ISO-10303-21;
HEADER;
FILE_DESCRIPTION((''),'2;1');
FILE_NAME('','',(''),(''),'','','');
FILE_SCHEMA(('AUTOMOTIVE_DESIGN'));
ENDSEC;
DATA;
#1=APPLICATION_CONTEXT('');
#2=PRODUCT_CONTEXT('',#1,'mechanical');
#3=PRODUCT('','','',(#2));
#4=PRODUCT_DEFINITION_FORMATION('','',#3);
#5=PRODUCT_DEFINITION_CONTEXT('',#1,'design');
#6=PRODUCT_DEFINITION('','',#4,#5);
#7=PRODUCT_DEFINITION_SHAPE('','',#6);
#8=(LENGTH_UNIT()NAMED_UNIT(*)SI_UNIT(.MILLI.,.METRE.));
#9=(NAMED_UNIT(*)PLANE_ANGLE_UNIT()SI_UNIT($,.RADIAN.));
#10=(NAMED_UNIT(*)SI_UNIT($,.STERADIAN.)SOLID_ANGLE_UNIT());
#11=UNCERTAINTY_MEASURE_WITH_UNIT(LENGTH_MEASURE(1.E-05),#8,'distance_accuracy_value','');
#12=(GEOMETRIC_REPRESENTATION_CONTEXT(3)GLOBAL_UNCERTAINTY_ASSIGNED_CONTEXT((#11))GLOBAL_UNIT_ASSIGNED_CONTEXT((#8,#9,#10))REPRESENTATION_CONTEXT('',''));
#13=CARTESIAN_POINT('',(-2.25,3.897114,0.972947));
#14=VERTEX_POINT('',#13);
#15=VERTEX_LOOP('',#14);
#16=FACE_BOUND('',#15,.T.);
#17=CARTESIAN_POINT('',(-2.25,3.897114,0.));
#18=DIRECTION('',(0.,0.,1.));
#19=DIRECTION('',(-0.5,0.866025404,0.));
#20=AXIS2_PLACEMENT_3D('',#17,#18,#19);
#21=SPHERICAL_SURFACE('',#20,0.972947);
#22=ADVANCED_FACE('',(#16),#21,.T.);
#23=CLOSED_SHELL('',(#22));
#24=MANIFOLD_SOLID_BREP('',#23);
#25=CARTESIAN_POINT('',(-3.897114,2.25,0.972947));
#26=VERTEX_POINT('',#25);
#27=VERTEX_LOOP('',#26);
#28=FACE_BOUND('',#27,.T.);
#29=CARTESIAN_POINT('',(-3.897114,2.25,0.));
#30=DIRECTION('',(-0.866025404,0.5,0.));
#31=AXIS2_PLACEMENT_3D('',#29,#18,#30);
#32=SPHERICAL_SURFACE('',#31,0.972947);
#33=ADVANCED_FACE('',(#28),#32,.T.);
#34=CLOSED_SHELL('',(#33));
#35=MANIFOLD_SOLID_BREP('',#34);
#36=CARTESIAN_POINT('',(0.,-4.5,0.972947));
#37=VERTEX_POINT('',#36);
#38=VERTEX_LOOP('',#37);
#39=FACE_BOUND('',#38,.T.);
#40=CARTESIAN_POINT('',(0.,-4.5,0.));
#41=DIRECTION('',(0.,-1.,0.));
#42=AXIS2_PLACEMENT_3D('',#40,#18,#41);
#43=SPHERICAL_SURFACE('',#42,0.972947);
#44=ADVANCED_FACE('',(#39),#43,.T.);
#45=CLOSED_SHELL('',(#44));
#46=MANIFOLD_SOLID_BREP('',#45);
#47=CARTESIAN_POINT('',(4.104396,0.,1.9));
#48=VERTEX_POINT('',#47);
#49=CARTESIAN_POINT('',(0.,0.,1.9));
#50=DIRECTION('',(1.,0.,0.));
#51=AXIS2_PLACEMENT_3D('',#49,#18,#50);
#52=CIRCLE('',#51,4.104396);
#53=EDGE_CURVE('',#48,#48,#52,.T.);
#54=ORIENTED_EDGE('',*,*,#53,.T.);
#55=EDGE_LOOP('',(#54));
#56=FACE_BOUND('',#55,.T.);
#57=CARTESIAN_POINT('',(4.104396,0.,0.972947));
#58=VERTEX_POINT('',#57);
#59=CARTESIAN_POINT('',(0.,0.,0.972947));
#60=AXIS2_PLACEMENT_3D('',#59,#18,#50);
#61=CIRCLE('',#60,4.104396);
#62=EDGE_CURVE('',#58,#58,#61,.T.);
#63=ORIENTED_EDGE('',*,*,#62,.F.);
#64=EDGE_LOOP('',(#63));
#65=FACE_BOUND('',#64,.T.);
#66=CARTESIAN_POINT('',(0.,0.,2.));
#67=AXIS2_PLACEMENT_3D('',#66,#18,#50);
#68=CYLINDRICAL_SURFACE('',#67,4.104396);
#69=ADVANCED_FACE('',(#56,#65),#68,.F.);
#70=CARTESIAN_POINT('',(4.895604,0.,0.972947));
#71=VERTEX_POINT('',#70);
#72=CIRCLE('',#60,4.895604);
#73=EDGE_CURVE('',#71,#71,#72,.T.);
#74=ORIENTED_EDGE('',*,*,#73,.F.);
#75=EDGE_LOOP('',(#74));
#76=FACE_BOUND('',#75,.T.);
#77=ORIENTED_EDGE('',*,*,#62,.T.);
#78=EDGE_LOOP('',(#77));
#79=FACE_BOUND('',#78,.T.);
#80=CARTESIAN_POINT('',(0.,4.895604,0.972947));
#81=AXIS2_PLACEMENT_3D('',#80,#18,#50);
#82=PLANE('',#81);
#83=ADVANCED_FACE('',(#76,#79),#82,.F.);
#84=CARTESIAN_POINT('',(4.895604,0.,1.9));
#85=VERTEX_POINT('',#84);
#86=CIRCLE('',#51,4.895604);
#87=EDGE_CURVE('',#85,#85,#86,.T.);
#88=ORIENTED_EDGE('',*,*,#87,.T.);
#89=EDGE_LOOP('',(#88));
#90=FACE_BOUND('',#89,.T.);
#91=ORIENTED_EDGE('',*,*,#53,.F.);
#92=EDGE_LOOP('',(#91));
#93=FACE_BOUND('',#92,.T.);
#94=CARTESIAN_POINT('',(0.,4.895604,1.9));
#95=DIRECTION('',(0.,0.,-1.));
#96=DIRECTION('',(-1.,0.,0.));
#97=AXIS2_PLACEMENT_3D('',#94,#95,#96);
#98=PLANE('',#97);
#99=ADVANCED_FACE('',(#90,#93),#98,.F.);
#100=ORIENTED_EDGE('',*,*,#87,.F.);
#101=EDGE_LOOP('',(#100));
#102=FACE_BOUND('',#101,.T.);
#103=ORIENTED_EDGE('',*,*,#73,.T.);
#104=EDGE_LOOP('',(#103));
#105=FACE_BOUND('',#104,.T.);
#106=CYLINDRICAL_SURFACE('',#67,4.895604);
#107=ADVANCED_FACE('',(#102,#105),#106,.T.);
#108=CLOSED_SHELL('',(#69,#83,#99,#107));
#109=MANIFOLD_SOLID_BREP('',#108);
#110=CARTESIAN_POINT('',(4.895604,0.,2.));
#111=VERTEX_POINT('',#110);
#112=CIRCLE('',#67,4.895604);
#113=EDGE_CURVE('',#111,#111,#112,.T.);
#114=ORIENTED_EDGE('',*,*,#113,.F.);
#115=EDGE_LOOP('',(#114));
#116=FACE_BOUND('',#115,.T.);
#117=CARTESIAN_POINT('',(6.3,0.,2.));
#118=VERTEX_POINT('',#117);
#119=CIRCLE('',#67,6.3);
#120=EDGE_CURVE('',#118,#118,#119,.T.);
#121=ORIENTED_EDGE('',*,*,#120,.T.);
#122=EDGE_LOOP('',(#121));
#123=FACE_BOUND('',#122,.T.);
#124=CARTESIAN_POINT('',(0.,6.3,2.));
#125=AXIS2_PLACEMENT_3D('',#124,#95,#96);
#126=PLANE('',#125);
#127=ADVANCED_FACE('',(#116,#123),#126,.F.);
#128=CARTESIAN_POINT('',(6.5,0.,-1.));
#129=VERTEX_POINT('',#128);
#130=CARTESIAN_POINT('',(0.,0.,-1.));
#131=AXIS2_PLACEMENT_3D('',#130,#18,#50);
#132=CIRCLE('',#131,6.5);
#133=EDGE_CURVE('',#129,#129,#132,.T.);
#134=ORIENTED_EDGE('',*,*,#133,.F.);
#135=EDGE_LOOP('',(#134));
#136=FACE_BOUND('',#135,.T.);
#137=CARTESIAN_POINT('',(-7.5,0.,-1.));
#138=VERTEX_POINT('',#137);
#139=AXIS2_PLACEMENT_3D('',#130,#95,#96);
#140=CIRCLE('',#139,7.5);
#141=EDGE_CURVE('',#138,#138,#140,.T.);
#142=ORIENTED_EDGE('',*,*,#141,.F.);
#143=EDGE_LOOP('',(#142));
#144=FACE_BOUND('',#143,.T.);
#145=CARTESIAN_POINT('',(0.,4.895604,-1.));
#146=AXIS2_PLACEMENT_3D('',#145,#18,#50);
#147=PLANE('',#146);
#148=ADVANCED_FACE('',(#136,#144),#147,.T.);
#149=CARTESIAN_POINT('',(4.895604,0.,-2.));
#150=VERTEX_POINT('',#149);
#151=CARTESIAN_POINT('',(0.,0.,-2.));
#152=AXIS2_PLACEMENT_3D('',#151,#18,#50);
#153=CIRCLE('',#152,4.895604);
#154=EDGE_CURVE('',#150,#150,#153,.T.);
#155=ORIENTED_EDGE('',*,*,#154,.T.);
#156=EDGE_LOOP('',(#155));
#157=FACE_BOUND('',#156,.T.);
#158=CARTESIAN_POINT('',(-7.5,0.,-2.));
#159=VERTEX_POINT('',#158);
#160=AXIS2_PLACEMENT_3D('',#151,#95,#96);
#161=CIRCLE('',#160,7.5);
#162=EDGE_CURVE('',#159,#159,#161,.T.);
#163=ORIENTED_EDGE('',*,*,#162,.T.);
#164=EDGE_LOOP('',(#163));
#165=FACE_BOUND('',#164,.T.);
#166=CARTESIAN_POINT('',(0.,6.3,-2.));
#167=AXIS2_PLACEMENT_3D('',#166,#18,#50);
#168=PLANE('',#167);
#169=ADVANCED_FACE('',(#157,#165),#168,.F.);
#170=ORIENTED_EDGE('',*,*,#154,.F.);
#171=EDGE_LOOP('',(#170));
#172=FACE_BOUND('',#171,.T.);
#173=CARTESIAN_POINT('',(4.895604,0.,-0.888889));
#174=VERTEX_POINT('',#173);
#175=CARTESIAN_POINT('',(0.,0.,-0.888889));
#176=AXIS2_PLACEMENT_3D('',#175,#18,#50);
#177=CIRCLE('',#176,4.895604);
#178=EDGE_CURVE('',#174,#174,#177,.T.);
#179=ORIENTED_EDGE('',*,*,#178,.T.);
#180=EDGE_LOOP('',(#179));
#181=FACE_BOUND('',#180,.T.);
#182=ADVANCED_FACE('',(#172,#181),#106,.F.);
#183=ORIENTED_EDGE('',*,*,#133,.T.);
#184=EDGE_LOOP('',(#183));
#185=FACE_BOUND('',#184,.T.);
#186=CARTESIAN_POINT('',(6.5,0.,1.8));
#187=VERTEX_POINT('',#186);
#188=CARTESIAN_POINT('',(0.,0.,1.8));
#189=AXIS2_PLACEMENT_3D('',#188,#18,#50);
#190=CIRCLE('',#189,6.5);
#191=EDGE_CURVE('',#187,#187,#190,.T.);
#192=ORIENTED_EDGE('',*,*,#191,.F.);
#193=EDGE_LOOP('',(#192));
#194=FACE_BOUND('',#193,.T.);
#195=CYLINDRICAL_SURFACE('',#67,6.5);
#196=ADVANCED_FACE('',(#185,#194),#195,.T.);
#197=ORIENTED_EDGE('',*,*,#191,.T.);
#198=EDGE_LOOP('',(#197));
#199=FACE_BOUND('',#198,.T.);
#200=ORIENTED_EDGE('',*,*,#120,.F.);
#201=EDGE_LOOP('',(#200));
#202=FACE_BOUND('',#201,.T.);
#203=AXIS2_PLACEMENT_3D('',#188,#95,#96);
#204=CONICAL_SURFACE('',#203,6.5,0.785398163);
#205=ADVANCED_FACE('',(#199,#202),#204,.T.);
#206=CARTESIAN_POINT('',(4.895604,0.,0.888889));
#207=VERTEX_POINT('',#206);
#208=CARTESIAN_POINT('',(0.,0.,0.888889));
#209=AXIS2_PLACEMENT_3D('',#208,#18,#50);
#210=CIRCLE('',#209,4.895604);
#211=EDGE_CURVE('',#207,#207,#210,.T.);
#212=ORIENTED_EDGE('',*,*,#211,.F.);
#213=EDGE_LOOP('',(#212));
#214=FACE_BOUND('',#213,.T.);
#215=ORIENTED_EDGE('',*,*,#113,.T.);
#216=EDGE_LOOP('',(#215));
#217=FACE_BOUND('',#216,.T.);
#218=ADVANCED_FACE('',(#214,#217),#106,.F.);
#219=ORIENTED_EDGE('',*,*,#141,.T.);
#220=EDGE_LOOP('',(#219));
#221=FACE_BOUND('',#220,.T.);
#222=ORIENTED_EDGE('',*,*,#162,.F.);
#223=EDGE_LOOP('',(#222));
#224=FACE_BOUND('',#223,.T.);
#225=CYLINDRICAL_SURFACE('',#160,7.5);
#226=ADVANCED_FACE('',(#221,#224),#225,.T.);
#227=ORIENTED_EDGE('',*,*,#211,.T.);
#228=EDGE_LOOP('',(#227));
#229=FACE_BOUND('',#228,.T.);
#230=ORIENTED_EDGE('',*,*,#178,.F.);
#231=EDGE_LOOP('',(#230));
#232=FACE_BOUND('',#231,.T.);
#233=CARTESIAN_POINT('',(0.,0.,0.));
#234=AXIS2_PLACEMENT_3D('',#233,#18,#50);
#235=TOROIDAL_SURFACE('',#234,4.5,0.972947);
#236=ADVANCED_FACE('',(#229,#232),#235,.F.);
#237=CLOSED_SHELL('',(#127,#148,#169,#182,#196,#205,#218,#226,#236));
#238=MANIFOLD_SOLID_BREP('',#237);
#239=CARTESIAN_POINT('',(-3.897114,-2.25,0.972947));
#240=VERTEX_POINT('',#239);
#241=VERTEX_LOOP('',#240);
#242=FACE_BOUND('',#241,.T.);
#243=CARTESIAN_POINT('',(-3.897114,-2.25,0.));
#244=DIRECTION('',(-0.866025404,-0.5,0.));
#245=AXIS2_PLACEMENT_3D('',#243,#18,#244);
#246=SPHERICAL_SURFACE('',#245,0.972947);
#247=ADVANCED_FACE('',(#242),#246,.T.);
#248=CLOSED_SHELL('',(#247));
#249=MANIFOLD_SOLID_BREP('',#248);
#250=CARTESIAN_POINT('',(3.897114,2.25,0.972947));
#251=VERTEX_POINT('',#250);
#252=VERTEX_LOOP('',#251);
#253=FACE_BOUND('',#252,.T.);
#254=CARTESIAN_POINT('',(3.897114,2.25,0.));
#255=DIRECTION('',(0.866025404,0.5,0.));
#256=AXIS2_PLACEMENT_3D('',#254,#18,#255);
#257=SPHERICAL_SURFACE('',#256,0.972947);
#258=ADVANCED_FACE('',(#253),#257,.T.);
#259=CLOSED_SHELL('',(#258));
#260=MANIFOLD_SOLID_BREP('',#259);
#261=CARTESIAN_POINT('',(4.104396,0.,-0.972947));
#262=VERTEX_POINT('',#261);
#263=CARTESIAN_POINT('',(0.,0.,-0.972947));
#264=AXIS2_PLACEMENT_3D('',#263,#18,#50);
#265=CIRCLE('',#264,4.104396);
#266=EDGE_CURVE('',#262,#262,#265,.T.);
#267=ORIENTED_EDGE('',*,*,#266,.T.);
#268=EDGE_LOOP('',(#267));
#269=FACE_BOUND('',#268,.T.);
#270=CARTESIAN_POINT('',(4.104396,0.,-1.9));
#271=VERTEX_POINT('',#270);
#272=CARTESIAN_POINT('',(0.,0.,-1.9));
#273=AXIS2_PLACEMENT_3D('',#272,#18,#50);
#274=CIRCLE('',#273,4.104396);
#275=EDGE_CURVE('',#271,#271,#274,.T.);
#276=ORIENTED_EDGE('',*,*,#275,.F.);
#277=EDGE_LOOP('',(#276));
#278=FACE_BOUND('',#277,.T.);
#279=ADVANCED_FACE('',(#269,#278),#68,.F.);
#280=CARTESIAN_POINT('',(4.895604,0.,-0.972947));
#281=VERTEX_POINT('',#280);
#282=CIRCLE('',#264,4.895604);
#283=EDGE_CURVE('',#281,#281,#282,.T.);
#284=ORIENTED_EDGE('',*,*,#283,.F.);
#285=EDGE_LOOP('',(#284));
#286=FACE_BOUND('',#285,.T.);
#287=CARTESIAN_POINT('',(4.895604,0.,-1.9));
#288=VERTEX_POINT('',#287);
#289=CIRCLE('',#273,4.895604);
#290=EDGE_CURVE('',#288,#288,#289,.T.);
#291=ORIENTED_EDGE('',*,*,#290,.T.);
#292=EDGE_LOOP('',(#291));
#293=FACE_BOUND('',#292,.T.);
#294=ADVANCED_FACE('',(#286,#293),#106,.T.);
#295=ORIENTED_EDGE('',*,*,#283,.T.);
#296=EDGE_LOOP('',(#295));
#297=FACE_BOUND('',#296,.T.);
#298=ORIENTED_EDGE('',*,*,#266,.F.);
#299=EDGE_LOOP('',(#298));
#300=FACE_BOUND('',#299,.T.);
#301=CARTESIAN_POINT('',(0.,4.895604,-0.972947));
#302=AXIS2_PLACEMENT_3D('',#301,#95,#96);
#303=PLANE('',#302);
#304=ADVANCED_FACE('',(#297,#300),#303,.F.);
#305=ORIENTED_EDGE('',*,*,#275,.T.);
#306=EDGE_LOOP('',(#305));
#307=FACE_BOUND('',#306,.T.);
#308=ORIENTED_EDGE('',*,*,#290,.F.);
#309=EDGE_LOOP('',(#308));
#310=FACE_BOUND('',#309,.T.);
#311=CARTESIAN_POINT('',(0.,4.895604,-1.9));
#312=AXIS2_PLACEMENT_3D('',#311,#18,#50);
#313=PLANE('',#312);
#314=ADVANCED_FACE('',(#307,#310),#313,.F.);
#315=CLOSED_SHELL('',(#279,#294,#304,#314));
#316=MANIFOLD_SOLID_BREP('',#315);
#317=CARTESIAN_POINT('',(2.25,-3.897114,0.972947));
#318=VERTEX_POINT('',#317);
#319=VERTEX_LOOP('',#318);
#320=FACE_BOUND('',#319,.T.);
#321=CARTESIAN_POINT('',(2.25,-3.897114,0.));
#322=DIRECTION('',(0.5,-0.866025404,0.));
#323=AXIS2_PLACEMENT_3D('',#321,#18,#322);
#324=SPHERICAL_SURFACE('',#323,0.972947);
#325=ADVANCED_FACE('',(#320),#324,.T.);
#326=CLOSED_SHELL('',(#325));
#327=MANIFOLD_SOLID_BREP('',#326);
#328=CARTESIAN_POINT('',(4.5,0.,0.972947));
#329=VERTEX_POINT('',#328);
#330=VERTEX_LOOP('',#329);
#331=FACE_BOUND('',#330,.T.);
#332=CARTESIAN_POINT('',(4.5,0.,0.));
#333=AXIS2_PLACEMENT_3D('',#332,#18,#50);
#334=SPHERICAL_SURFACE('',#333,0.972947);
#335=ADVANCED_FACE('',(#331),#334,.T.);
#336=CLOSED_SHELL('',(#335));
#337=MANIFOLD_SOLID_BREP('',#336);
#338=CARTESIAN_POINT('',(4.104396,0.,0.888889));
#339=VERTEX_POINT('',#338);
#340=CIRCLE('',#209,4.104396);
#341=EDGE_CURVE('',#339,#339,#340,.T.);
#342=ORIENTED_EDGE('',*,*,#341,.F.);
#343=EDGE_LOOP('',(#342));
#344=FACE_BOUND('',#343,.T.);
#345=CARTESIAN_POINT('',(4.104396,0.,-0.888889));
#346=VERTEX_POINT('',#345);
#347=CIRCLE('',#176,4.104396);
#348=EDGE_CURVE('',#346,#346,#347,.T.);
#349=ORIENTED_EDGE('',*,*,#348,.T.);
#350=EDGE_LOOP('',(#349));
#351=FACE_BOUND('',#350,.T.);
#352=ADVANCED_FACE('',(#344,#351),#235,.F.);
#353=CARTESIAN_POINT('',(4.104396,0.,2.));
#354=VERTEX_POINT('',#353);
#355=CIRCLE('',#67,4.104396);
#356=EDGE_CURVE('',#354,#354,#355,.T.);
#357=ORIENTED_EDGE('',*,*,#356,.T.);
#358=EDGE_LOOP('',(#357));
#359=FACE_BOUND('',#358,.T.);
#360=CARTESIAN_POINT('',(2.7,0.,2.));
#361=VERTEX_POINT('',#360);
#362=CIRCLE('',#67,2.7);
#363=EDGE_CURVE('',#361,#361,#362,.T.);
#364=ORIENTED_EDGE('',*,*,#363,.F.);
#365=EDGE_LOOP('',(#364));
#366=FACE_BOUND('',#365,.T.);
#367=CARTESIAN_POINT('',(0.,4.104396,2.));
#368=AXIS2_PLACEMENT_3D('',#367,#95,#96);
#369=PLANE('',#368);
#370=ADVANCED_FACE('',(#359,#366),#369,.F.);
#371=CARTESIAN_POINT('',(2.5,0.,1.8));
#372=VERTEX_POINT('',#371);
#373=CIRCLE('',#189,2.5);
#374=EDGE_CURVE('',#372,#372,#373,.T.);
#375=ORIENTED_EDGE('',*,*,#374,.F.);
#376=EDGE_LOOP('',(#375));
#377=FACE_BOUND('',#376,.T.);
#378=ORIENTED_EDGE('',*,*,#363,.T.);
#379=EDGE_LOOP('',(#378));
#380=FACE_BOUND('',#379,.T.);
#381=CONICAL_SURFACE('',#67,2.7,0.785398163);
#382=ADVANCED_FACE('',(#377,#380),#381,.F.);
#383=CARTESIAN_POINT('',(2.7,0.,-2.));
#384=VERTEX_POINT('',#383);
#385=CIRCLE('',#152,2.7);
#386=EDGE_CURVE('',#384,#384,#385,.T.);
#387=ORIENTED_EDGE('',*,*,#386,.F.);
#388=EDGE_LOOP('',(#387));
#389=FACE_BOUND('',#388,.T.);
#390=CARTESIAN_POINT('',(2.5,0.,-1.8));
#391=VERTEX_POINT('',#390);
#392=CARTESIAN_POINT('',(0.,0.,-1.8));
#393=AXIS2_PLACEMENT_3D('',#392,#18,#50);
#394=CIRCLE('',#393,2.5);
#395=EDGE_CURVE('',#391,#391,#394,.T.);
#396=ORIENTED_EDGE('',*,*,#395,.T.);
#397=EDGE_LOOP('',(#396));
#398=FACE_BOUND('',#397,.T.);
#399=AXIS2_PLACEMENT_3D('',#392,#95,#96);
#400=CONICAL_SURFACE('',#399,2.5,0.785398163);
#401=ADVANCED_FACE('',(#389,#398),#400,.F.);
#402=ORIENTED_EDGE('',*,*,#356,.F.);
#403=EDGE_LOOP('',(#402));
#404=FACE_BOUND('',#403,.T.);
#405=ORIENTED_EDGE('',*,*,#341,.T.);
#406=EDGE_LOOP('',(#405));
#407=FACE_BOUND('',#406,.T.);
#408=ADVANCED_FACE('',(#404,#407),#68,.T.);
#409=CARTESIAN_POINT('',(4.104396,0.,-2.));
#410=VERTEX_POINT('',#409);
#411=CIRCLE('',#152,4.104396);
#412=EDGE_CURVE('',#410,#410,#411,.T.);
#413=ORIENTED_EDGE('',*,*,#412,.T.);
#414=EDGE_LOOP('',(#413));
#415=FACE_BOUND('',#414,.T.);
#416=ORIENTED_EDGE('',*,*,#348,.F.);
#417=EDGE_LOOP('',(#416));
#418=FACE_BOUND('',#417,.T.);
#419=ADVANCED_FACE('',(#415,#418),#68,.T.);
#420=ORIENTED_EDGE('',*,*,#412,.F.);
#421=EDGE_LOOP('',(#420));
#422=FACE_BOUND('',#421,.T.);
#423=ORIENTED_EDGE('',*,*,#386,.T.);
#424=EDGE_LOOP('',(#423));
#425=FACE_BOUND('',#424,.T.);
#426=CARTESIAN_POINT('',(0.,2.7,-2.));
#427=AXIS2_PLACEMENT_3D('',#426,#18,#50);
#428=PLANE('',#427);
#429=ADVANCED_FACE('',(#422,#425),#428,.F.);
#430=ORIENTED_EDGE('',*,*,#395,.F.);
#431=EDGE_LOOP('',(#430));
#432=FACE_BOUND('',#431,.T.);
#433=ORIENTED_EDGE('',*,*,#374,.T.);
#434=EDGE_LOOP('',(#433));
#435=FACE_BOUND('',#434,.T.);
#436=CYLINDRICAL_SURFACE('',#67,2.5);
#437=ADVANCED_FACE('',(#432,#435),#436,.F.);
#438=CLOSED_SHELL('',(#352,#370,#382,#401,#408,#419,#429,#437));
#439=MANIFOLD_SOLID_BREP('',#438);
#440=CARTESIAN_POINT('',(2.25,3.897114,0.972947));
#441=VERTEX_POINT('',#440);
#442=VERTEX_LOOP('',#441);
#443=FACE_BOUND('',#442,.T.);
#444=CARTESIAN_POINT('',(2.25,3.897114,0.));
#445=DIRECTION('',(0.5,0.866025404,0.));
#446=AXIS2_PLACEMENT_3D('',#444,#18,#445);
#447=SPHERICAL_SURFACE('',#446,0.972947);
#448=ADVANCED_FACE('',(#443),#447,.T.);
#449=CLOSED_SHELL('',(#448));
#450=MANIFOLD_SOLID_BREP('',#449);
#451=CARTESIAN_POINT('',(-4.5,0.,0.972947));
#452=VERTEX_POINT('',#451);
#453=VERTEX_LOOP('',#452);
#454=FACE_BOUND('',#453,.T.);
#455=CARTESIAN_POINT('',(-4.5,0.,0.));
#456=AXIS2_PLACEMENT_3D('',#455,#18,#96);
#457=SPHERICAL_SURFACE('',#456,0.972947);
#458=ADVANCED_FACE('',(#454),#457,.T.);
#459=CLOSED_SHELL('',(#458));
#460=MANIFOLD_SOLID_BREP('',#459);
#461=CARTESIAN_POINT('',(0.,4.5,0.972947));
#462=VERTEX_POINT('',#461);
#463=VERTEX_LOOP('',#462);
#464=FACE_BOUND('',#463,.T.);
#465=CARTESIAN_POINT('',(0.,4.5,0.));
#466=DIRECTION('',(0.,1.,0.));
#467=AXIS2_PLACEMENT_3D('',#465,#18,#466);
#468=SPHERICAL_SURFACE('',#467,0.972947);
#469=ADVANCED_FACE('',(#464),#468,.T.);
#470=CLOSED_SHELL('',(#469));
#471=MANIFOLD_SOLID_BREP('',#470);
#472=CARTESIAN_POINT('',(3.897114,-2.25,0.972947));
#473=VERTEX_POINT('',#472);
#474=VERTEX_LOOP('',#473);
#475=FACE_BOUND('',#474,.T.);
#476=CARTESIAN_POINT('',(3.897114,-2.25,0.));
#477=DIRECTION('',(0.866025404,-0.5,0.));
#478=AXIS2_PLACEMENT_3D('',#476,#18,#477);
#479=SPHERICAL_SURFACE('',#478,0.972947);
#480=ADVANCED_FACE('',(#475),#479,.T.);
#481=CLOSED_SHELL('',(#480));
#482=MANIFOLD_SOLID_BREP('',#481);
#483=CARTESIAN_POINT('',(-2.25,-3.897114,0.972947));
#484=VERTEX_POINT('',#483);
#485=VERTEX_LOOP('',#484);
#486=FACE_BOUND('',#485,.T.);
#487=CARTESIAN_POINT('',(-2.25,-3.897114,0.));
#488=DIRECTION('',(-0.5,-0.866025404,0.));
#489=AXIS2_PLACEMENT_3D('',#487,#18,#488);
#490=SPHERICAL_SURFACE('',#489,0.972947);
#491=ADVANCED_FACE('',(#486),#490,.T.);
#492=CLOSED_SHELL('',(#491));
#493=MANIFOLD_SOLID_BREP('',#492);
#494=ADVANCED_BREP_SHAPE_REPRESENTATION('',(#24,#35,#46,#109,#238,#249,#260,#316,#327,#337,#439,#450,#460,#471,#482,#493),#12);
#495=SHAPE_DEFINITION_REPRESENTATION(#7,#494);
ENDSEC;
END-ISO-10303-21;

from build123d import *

# Parameters (mm, degrees)
CIRPATTERN1_COUNT = 12
SKETCH5_W         = 0.927052779
SKETCH5_H         = 0.791208792
SKETCH6_W         = 1
SKETCH6_H         = 2.604395604


with BuildPart() as part:
    # Sketch1 → Revolve1 (revolve)
    with BuildSketch(Plane(origin=(0, 0, 0), x_dir=(0, 0, -1), z_dir=(1, 0, 0))):
        with BuildLine():
            Line((1.8, 6.5), (-1.8, 6.5))
            Line((-1.8, 6.5), (-2, 6.3))
            Line((-2, 6.3), (-2, 4.895604396))
            Line((-2, 4.895604396), (-0.888888889, 4.895604396))
            ThreePointArc((-0.888888889, 4.895604396), (0, 5.472947221), (0.888888889, 4.895604396))
            Line((0.888888889, 4.895604396), (2, 4.895604396))
            Line((2, 4.895604396), (2, 6.3))
            Line((2, 6.3), (1.8, 6.5))
        make_face()
    revolve(axis=Axis((0, 0, 2), (0, 0, -1)))

    # Sketch6 → Revolve6 (revolve)
    with BuildSketch(Plane(origin=(0, 0, 0), x_dir=(0, 0, -1), z_dir=(1, 0, 0))):
        with Locations((1.5, 6.197802198)):
            Rectangle(SKETCH6_W, SKETCH6_H)
    revolve(axis=Axis((0, 0, -2), (0, 0, 1)))


with BuildPart() as body_2:
    # Sketch3 → Revolve3 (revolve)
    with BuildSketch(Plane(origin=(0, 0, 0), x_dir=(0, 0, -1), z_dir=(1, 0, 0))):
        with BuildLine():
            Line((-2, 4.104395604), (-0.888888889, 4.104395604))
            ThreePointArc((-0.888888889, 4.104395604), (0, 3.527052779), (0.888888889, 4.104395604))
            Line((0.888888889, 4.104395604), (2, 4.104395604))
            Line((2, 4.104395604), (2, 2.7))
            Line((2, 2.7), (1.8, 2.5))
            Line((1.8, 2.5), (-1.8, 2.5))
            Line((-1.8, 2.5), (-2, 2.7))
            Line((-2, 2.7), (-2, 4.104395604))
        make_face()
    revolve(axis=Axis((0, 0, 2), (0, 0, -1)))


with BuildPart() as body_3:
    # Sketch4 → Revolve4 (revolve)
    with BuildSketch(Plane(origin=(0, 0, 0), x_dir=(0, 0, -1), z_dir=(1, 0, 0))):
        with BuildLine():
            Line((-0.972947221, 4.5), (0.972947221, 4.5))
            ThreePointArc((0.972947221, 4.5), (0, 5.472947221), (-0.972947221, 4.5))
        make_face()
    revolve(axis=Axis((0, 4.5, 0.972947221), (0, 0, -1)))


with BuildPart() as cirpattern1_1:
    # CirPattern1: pattern copy
    add(body_3.part.rotate(Axis((0, 0, 0), (0, 0, 1)), 1 * 360 / CIRPATTERN1_COUNT))


with BuildPart() as cirpattern1_2:
    # CirPattern1: pattern copy
    add(body_3.part.rotate(Axis((0, 0, 0), (0, 0, 1)), 2 * 360 / CIRPATTERN1_COUNT))


with BuildPart() as cirpattern1_3:
    # CirPattern1: pattern copy
    add(body_3.part.rotate(Axis((0, 0, 0), (0, 0, 1)), 3 * 360 / CIRPATTERN1_COUNT))


with BuildPart() as cirpattern1_4:
    # CirPattern1: pattern copy
    add(body_3.part.rotate(Axis((0, 0, 0), (0, 0, 1)), 4 * 360 / CIRPATTERN1_COUNT))


with BuildPart() as cirpattern1_5:
    # CirPattern1: pattern copy
    add(body_3.part.rotate(Axis((0, 0, 0), (0, 0, 1)), 5 * 360 / CIRPATTERN1_COUNT))


with BuildPart() as cirpattern1_6:
    # CirPattern1: pattern copy
    add(body_3.part.rotate(Axis((0, 0, 0), (0, 0, 1)), 6 * 360 / CIRPATTERN1_COUNT))


with BuildPart() as cirpattern1_7:
    # CirPattern1: pattern copy
    add(body_3.part.rotate(Axis((0, 0, 0), (0, 0, 1)), 7 * 360 / CIRPATTERN1_COUNT))


with BuildPart() as cirpattern1_8:
    # CirPattern1: pattern copy
    add(body_3.part.rotate(Axis((0, 0, 0), (0, 0, 1)), 8 * 360 / CIRPATTERN1_COUNT))


with BuildPart() as cirpattern1_9:
    # CirPattern1: pattern copy
    add(body_3.part.rotate(Axis((0, 0, 0), (0, 0, 1)), 9 * 360 / CIRPATTERN1_COUNT))


with BuildPart() as cirpattern1_10:
    # CirPattern1: pattern copy
    add(body_3.part.rotate(Axis((0, 0, 0), (0, 0, 1)), 10 * 360 / CIRPATTERN1_COUNT))


with BuildPart() as cirpattern1_11:
    # CirPattern1: pattern copy
    add(body_3.part.rotate(Axis((0, 0, 0), (0, 0, 1)), 11 * 360 / CIRPATTERN1_COUNT))


with BuildPart() as body_15:
    # Sketch5 → Revolve5 (revolve)
    with BuildSketch(Plane(origin=(0, 0, 0), x_dir=(0, 0, -1), z_dir=(1, 0, 0))):
        with Locations((-1.436473611, 4.5)):
            Rectangle(SKETCH5_W, SKETCH5_H)
        with Locations((1.436473611, 4.5)):
            Rectangle(SKETCH5_W, SKETCH5_H)
    revolve(axis=Axis((0, 0, 2), (0, 0, -1)))


solid = Compound([part.part, body_2.part, body_3.part, cirpattern1_1.part, cirpattern1_2.part, cirpattern1_3.part, cirpattern1_4.part, cirpattern1_5.part, cirpattern1_6.part, cirpattern1_7.part, cirpattern1_8.part, cirpattern1_9.part, cirpattern1_10.part, cirpattern1_11.part, body_15.part])
